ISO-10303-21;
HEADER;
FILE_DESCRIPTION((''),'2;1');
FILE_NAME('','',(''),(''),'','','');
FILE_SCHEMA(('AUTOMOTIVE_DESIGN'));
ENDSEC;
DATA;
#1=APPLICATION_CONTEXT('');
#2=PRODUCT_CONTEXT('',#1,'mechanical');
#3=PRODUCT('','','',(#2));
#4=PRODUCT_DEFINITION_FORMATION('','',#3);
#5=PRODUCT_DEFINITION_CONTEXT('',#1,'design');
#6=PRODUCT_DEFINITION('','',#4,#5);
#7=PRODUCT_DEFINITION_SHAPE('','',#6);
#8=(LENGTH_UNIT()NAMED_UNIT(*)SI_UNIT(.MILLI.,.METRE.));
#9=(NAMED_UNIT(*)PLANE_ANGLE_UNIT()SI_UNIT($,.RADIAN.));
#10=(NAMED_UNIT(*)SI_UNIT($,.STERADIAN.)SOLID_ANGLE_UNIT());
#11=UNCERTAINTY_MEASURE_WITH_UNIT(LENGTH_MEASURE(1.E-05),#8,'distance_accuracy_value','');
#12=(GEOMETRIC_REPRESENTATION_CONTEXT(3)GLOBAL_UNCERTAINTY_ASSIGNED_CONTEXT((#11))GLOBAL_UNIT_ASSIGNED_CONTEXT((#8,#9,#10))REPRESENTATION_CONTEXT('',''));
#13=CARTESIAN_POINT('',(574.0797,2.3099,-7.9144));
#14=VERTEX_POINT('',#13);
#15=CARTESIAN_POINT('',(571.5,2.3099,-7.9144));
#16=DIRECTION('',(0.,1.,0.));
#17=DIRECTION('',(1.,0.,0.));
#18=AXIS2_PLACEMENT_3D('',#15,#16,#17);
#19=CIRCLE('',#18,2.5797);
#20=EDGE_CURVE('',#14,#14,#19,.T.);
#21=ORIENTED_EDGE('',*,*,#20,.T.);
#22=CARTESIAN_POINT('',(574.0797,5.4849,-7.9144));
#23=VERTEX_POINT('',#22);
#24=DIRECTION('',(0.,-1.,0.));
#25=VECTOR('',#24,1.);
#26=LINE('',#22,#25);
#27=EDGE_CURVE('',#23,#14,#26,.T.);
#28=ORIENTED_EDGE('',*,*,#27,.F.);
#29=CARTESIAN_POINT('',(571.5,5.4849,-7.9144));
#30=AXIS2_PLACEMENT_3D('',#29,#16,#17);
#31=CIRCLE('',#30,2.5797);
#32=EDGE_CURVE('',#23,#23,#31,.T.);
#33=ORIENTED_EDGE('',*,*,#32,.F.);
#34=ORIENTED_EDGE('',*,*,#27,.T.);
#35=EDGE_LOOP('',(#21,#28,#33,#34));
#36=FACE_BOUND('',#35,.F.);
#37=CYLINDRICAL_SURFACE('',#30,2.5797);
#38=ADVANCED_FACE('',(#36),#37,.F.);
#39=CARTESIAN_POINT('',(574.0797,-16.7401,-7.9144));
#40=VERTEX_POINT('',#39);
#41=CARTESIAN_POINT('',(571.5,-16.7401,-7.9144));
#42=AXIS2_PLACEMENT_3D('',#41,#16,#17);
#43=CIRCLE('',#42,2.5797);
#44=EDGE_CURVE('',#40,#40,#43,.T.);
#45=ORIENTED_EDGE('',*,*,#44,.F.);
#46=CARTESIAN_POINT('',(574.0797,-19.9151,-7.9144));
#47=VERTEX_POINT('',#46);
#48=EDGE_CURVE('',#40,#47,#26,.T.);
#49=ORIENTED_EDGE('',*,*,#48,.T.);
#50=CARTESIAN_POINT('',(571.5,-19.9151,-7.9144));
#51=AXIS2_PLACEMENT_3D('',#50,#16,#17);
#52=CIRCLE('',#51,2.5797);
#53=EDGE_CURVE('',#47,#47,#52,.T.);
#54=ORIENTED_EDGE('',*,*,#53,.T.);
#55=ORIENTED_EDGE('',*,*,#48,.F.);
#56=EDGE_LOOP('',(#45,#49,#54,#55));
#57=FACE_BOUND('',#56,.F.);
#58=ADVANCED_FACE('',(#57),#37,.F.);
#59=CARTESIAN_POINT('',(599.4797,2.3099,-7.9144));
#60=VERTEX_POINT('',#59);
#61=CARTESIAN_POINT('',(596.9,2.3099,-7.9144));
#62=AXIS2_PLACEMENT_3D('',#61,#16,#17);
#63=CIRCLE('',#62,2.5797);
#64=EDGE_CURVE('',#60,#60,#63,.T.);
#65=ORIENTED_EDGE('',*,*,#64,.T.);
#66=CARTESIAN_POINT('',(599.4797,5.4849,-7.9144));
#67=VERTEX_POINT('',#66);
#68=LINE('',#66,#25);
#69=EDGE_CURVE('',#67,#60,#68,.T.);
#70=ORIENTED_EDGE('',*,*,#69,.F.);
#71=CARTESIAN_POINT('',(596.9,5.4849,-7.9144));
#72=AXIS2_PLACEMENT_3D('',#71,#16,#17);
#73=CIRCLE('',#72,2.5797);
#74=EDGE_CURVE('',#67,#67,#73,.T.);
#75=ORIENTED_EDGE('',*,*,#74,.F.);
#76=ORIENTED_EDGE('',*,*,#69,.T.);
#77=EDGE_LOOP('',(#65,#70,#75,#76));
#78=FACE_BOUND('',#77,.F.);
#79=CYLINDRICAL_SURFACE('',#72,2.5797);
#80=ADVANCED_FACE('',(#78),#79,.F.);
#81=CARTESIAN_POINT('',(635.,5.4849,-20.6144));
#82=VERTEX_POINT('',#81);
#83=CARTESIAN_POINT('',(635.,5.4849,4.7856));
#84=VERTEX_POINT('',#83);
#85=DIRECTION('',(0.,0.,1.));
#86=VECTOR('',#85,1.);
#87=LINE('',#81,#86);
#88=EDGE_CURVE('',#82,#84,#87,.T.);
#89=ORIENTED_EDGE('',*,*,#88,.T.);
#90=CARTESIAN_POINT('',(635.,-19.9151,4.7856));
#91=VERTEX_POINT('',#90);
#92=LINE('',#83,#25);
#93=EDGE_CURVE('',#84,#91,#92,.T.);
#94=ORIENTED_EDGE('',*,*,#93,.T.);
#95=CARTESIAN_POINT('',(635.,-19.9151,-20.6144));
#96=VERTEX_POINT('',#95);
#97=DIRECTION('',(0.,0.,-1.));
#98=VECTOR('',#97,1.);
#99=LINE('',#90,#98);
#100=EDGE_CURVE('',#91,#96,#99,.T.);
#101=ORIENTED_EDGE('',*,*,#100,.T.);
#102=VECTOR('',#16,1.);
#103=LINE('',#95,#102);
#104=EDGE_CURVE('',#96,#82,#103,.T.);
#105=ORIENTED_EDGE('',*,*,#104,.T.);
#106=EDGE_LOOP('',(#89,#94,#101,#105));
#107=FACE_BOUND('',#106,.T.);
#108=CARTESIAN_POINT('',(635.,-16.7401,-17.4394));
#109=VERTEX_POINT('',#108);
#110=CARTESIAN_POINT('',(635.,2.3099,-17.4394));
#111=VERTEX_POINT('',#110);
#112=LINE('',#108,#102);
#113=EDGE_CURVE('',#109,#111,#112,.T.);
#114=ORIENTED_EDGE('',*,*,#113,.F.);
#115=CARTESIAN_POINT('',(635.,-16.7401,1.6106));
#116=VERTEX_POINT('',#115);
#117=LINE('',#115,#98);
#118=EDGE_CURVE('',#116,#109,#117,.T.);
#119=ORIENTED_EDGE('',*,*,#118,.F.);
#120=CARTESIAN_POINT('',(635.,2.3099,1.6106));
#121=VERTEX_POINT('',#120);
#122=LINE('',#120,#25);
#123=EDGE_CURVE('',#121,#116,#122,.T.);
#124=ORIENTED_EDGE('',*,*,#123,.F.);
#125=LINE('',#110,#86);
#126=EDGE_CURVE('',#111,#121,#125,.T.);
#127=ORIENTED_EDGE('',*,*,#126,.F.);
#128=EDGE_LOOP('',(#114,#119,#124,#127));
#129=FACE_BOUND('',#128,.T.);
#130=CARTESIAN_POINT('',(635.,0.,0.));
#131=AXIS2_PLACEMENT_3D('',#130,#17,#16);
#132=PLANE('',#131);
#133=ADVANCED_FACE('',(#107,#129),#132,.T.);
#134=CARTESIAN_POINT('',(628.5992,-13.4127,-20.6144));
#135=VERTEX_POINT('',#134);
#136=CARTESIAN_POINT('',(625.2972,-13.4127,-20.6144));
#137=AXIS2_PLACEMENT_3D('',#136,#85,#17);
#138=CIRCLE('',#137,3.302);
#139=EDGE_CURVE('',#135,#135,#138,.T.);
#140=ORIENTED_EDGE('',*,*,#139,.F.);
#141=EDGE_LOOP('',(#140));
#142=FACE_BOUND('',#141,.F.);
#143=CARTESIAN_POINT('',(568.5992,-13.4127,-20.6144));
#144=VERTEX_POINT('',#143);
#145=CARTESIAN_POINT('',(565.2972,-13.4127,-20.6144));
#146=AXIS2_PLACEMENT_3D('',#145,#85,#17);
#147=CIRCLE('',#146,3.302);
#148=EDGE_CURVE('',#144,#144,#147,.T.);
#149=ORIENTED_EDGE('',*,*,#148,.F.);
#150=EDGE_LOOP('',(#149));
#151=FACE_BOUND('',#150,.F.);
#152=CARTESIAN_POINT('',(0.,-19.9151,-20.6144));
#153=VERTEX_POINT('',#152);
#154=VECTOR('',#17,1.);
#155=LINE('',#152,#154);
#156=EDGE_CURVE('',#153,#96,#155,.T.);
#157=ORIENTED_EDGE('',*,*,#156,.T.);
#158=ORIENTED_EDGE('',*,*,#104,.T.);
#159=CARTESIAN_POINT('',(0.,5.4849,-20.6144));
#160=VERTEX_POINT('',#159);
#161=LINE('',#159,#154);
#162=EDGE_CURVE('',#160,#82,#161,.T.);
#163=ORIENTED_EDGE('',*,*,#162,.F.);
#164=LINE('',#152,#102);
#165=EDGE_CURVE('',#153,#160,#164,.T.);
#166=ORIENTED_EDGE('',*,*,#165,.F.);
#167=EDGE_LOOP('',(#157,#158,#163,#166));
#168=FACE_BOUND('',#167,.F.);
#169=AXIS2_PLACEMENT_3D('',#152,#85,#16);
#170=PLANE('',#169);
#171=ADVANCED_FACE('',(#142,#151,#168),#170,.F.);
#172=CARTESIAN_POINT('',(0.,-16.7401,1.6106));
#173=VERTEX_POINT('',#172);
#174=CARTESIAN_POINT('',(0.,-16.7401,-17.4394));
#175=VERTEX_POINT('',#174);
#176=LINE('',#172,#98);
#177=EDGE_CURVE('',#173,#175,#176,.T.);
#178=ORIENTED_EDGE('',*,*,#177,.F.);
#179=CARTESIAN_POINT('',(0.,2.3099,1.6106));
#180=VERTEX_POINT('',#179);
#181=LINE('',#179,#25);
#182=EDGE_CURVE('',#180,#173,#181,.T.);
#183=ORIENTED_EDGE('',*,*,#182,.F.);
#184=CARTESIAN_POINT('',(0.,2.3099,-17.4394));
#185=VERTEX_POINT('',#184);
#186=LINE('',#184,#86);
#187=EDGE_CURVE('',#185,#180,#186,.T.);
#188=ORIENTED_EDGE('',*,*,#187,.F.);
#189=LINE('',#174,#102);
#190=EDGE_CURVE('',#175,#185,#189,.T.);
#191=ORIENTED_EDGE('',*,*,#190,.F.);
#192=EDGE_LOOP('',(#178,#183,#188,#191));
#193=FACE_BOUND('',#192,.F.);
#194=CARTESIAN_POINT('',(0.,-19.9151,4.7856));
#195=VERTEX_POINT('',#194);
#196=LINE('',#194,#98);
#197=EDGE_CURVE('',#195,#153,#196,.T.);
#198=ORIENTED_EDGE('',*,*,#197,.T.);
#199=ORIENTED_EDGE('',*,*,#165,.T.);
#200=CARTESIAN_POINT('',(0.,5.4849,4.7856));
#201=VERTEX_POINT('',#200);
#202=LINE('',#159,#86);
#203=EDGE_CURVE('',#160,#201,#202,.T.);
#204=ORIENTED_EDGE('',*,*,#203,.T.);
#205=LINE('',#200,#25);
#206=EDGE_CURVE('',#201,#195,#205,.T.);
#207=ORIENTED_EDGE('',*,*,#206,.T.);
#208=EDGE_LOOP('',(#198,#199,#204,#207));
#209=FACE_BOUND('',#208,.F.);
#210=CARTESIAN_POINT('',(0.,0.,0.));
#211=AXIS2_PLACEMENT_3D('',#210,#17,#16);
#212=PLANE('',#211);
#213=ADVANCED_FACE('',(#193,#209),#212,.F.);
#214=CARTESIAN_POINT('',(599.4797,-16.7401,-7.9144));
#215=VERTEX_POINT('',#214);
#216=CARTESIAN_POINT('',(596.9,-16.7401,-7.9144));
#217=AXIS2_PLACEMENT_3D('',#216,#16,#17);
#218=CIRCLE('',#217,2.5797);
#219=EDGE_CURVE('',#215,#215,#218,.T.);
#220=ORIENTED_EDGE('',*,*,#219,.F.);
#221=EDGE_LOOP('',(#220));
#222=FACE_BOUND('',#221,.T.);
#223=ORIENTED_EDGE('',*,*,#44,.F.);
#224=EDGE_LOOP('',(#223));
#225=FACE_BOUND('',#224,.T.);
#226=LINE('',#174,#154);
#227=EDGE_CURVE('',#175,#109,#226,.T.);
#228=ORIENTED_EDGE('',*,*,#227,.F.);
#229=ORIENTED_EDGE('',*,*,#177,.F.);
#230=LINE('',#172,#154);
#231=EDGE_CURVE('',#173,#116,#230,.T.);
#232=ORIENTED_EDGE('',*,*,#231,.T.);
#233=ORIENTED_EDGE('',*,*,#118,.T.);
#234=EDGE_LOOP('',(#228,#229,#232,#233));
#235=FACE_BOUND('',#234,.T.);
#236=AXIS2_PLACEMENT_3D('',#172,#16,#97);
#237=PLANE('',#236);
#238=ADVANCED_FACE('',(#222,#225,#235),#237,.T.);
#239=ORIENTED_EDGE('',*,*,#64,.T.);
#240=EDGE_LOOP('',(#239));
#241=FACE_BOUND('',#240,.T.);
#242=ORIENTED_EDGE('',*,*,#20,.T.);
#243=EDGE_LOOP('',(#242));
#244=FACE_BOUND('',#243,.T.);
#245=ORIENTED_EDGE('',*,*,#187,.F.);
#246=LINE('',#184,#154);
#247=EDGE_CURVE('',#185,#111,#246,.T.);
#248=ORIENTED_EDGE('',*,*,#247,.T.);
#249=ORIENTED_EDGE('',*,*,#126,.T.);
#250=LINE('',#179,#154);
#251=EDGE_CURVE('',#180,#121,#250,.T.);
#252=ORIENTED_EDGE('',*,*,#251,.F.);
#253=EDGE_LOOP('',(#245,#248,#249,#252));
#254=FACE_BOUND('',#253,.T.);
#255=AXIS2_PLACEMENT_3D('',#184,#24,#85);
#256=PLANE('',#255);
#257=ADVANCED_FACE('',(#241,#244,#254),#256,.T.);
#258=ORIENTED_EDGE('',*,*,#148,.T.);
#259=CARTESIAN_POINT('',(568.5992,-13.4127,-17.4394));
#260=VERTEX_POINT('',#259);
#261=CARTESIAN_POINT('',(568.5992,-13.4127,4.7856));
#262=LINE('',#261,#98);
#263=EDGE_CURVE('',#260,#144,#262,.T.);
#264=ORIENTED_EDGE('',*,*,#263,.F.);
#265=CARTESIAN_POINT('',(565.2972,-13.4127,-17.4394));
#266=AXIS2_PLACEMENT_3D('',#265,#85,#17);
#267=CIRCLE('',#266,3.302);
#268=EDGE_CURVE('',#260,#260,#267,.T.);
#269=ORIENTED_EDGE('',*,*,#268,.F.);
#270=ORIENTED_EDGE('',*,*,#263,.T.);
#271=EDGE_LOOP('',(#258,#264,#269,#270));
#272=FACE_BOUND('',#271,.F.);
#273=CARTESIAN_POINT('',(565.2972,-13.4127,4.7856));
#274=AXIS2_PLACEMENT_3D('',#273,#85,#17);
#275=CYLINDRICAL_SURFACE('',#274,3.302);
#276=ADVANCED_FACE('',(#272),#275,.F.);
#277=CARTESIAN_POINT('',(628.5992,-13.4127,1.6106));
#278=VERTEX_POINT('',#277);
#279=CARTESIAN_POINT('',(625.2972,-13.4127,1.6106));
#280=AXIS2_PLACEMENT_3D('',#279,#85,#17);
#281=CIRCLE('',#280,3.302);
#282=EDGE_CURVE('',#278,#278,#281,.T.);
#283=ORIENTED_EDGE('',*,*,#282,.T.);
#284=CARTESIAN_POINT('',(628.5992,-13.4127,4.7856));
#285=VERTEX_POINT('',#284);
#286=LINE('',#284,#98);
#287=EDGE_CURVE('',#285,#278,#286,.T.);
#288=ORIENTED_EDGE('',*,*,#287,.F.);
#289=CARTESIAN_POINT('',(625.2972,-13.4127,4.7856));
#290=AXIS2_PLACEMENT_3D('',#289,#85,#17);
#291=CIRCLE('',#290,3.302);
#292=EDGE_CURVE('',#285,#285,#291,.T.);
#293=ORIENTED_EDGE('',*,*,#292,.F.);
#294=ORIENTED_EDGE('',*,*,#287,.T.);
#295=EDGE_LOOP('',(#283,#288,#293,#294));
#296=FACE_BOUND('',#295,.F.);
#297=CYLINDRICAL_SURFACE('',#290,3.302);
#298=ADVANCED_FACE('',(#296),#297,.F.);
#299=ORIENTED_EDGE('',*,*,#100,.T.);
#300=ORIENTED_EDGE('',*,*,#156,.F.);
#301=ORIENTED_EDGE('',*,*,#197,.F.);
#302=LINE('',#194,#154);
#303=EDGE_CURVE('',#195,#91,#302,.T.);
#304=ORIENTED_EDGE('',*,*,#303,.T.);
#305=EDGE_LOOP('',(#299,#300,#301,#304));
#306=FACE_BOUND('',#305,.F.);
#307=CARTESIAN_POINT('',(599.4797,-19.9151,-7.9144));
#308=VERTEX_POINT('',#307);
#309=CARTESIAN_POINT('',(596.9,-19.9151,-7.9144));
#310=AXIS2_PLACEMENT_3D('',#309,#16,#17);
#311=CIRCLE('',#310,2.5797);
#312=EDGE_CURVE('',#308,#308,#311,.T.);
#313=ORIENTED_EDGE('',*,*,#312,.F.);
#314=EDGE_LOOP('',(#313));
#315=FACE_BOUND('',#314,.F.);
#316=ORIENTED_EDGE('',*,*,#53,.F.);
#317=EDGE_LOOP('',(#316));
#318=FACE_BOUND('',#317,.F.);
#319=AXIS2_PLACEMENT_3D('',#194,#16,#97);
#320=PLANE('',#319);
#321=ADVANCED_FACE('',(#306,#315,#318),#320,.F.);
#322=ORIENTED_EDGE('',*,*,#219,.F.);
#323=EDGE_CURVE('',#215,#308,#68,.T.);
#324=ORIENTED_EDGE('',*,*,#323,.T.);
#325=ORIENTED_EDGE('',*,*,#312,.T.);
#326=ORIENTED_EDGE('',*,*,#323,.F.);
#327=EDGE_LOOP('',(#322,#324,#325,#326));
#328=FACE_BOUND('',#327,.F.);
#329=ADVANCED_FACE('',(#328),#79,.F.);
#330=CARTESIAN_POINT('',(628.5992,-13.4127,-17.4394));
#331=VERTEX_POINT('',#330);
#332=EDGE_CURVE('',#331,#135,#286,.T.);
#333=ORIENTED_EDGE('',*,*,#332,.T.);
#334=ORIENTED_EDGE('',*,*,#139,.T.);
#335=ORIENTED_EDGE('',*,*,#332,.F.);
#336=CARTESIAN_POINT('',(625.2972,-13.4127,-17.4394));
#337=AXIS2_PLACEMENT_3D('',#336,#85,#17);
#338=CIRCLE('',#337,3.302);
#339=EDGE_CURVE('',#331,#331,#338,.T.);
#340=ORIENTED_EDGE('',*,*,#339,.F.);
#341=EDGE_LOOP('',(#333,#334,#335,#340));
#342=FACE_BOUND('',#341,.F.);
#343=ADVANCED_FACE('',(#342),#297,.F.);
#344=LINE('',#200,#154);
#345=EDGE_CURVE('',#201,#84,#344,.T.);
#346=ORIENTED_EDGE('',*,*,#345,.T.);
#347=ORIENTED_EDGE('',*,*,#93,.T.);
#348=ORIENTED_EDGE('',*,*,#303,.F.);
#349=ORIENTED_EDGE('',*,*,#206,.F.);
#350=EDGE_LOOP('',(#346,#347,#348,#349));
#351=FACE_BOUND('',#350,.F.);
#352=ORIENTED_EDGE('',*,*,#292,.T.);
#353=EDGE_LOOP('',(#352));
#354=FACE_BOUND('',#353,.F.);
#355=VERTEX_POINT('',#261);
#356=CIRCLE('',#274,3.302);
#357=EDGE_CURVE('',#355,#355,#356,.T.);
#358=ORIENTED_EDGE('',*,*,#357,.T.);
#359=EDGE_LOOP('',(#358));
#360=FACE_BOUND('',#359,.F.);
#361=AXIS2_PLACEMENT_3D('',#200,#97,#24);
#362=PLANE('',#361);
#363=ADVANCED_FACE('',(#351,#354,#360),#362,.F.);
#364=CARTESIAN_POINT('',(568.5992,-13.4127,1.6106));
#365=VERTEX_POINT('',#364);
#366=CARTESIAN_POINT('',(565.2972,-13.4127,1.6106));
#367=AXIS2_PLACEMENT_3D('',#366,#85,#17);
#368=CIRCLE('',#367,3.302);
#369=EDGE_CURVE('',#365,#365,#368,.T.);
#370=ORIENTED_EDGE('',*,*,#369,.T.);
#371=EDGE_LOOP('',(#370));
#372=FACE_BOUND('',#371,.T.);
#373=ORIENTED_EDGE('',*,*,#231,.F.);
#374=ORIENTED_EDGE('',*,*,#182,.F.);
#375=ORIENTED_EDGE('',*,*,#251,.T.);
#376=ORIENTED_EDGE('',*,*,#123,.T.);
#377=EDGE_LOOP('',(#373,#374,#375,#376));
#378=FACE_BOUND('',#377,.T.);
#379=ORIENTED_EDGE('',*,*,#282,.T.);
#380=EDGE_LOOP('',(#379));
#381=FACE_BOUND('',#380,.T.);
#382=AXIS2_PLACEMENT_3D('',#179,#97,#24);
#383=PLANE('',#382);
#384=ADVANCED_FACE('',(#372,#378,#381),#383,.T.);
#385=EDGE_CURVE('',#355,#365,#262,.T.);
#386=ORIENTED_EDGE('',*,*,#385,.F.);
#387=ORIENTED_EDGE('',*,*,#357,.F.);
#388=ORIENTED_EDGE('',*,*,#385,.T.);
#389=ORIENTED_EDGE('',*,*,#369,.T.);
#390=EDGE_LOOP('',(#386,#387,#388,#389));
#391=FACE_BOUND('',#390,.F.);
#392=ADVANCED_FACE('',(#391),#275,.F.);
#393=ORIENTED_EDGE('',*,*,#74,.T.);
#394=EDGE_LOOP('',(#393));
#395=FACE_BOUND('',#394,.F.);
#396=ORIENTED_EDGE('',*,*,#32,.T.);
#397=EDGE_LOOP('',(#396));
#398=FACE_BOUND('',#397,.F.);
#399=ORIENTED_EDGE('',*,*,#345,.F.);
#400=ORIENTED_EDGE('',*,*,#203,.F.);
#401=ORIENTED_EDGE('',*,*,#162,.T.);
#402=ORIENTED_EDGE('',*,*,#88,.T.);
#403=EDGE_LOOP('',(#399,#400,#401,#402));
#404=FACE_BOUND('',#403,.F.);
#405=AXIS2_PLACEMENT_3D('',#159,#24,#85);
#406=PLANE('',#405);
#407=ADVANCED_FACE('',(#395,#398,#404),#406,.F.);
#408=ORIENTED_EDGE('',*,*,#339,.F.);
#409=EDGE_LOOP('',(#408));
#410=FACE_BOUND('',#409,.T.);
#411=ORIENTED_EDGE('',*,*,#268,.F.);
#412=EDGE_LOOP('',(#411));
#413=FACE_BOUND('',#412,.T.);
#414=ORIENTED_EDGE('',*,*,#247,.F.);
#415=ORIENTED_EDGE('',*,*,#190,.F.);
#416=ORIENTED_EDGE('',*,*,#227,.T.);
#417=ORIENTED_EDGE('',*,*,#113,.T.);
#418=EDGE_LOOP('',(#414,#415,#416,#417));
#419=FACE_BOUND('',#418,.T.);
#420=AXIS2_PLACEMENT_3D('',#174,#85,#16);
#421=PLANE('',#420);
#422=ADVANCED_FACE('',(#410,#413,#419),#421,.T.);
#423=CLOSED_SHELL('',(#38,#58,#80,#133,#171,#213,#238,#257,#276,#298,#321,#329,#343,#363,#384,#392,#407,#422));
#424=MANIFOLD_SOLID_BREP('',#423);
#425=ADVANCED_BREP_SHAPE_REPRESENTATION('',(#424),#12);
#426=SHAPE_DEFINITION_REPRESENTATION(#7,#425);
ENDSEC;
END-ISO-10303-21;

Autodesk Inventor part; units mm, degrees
ref_plane "YZ Plane" through (0, 0, 0) normal (1, 0, 0) x (0, 1, 0)
ref_plane "XZ Plane" through (0, 0, 0) normal (0, 1, 0) x (-1, 0, 0)
ref_plane "XY Plane" through (0, 0, 0) normal (0, 0, 1) x (1, 0, 0)
sketch "Sketch1" plane through (0, 0, 0) normal (1, 0, 0) x (0, 1, 0)
  line L0 (5.4849, 4.7856) -> (-19.9151, 4.7856)
  line L1 (-19.9151, 4.7856) -> (-19.9151, -20.6144)
  line L2 (-19.9151, -20.6144) -> (5.4849, -20.6144)
  line L3 (5.4849, -20.6144) -> (5.4849, 4.7856)
  line L4 (2.3099, 1.6106) -> (-16.7401, 1.6106)
  line L5 (-16.7401, 1.6106) -> (-16.7401, -17.4394)
  line L6 (-16.7401, -17.4394) -> (2.3099, -17.4394)
  line L7 (2.3099, -17.4394) -> (2.3099, 1.6106)
  point P0 (0, 0)
  dimension "d0" = 25.4
  dimension "d1" = 25.4
  dimension "d2" = 3.175
extrude "Extrusion1" add sketch "Sketch1" along normal blind 635
sketch "Sketch4" plane through (0, -19.9151, 4.7856) normal (0, 0, 1) x (1, 0, 0)
  line L0 (0, 25.4) -> (0, 0) construction
  line L1 (0, 0) -> (0, 6.5024) construction
  line L2 (0, 6.5024) -> (625.2972, 6.5024) construction
  circle A0 centre (625.2972, 6.5024) radius 3.302
  point P0 (0, 19.9151)
  dimension "d19" = 6.5024
  dimension "d20" = 625.2972
  dimension "d21" = 6.604
extrude "Extrusion5" cut sketch "Sketch4" against normal blind 25.4
sketch "Sketch5" plane through (0, 5.4849, 4.7856) normal (0, 1, 0) x (1, 0, 0)
  line L0 (635, 22.225) -> (635, 3.175) construction
  line L1 (635, 12.7) -> (558.8, 12.7) construction
  line L2 (558.8, 12.7) -> (571.5, 12.7) construction
  line L3 (571.5, 12.7) -> (596.9, 12.7) construction
  circle A0 centre (571.5, 12.7) radius 2.5797
  circle A1 centre (596.9, 12.7) radius 2.5797
  point P0 (0, 4.7856)
  dimension "d26" = 76.2
  dimension "d27" = 12.7
  dimension "d28" = 25.4
  dimension "d29" = 5.1594
  dimension "d30" = 5.1594
extrude "Extrusion6" cut sketch "Sketch5" against normal blind 25.4
sketch "Sketch7" plane through (0, -19.9151, 4.7856) normal (0, 0, 1) x (1, 0, 0)
  circle A0 centre (625.2972, 6.5024) radius 3.302 projected
  circle A1 centre (565.2972, 6.5024) radius 3.302
  line L0 (565.2972, 6.5024) -> (625.2972, 6.5024) construction
  point P0 (0, 19.9151)
  dimension "d34" = 6.604
extrude "Extrusion7" cut sketch "Sketch7" against normal blind 25.4 contours A1
properties part number "23in 1x1 Beam"
